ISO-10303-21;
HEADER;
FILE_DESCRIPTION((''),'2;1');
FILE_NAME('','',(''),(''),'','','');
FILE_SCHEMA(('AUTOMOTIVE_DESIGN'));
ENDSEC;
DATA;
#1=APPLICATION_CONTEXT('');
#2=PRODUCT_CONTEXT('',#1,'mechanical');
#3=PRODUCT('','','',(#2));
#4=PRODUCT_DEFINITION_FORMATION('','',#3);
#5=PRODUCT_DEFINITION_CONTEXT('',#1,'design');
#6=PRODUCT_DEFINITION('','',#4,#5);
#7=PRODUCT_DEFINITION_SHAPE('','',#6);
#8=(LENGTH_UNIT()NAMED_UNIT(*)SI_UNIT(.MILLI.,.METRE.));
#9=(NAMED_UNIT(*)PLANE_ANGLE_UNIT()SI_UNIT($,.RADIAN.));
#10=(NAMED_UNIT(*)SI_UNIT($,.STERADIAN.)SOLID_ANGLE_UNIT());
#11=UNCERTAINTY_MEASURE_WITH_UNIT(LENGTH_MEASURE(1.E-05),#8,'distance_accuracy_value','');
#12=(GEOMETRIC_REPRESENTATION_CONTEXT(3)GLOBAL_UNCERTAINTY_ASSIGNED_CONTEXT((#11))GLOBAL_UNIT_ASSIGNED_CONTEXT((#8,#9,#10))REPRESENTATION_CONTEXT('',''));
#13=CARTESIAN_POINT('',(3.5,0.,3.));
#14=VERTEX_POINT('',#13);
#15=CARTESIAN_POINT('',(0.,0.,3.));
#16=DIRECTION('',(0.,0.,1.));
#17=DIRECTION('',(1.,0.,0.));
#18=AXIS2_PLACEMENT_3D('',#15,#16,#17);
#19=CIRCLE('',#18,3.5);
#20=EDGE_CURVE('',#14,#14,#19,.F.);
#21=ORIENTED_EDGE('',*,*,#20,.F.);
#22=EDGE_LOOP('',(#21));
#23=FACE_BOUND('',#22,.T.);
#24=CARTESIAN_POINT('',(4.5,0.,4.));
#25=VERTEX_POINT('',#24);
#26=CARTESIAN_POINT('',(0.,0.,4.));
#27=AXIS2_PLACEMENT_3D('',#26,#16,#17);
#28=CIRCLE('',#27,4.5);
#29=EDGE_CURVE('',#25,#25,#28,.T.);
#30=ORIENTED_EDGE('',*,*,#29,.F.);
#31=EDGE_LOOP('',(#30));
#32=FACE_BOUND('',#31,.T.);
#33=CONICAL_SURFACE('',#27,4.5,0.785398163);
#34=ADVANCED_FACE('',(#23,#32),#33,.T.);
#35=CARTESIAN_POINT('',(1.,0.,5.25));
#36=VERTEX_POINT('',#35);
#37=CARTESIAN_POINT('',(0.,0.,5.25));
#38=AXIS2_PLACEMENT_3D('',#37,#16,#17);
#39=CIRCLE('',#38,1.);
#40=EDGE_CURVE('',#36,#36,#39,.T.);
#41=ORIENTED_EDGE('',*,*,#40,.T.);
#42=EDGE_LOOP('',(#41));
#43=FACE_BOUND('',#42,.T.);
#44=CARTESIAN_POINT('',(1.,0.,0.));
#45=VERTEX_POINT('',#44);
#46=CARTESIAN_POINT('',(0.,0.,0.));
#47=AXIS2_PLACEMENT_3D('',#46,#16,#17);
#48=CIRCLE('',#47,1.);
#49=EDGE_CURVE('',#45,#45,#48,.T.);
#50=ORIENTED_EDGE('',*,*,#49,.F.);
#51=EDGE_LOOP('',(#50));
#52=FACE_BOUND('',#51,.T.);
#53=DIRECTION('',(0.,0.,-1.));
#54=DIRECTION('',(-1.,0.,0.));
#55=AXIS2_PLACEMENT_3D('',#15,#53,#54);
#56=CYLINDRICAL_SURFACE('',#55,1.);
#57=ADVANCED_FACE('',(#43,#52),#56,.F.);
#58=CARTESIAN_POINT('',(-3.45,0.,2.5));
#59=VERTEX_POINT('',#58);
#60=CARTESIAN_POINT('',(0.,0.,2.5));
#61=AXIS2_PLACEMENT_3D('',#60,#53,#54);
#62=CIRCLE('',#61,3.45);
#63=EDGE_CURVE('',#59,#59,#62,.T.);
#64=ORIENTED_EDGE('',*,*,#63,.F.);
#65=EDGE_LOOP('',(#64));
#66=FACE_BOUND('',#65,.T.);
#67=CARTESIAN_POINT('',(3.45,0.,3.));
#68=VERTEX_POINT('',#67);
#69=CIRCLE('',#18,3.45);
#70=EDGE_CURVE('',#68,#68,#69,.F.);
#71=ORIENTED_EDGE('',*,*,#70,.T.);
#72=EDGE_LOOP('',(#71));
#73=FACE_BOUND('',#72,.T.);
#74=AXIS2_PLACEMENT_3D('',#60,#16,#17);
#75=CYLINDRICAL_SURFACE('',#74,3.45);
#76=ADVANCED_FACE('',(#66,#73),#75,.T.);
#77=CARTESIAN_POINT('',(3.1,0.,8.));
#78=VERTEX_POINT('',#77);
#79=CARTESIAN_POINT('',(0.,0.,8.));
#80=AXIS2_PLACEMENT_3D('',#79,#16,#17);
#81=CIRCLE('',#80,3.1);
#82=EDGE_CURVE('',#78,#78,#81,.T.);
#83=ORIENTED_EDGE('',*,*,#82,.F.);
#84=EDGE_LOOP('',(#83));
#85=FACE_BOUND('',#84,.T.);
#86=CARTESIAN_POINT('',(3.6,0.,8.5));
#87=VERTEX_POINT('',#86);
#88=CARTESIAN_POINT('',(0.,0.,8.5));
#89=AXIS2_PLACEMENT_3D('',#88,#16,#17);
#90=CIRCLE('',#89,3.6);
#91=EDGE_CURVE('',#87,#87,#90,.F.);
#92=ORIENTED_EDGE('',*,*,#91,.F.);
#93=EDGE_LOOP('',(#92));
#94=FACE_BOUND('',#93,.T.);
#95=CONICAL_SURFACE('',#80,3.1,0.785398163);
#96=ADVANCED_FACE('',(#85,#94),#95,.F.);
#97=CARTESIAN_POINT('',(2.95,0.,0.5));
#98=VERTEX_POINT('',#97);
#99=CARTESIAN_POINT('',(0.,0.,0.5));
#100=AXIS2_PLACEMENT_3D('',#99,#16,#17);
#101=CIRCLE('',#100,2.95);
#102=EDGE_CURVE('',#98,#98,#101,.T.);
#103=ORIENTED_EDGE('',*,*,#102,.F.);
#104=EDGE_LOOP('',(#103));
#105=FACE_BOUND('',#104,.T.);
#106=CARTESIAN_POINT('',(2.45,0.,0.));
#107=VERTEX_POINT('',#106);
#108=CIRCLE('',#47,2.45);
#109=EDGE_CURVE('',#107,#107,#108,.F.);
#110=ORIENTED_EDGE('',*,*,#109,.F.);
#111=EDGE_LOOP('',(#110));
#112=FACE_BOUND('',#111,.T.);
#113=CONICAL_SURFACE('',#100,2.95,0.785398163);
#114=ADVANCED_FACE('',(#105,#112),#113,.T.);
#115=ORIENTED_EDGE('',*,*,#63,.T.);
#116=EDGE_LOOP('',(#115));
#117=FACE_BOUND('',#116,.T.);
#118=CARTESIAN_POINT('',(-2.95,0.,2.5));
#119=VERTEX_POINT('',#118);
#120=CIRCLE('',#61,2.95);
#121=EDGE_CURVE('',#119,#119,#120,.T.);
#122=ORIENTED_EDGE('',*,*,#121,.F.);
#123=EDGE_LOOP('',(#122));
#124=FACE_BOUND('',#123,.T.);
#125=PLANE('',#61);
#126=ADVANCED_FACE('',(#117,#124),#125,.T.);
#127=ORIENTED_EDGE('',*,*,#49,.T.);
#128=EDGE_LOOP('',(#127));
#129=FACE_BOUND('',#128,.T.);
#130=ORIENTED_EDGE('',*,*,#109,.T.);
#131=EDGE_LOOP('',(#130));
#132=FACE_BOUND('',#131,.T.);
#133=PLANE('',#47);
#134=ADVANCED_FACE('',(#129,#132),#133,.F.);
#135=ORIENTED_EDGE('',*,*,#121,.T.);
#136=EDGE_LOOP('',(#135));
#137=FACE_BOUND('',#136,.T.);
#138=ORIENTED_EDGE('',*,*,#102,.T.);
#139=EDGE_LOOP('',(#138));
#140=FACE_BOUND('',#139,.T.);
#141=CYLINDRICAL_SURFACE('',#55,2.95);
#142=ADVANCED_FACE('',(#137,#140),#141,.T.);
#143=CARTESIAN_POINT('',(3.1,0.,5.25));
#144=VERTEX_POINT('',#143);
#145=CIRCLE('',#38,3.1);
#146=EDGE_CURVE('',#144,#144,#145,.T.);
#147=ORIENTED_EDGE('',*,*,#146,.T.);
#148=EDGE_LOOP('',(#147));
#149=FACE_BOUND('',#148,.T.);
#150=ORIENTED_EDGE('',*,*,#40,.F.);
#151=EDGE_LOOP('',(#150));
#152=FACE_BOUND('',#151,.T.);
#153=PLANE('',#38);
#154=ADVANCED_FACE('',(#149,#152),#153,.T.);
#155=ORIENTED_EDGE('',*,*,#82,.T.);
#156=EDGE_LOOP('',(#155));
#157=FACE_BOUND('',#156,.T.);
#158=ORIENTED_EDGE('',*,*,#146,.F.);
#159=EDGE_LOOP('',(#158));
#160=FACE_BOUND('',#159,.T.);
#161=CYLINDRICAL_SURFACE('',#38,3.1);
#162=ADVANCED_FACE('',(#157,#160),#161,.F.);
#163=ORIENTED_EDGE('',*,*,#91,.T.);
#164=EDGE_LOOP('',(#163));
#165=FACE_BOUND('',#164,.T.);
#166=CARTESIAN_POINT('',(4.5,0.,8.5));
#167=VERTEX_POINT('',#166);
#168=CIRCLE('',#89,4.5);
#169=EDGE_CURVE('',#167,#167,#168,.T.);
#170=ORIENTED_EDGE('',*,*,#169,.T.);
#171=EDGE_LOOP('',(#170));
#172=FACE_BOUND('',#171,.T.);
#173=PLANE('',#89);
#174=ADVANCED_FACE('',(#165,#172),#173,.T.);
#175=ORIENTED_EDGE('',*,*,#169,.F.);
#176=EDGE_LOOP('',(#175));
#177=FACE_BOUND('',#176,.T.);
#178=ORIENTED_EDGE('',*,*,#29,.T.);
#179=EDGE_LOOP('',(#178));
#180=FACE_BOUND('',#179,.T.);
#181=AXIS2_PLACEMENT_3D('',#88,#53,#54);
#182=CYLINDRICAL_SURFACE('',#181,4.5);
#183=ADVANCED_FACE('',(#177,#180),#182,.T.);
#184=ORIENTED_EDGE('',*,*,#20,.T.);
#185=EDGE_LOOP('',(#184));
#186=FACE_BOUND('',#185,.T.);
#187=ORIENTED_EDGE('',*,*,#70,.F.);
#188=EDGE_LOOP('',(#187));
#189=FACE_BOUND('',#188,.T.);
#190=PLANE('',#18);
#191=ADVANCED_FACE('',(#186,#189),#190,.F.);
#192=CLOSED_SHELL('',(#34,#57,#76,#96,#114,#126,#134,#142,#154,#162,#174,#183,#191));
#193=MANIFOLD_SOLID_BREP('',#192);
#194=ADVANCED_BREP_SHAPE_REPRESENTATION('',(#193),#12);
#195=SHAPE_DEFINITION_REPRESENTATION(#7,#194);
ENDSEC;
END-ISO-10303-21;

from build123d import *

# Parameters (mm, degrees)
SKETCH1_R           = 2.95
SKETCH1_R_2         = 1
BOSS_EXTRUDE1_DEPTH = 3
SKETCH2_R           = 4.5
SKETCH2_R_2         = 1
BOSS_EXTRUDE2_DEPTH = 5.5
SKETCH3_R           = 3.1
CUT_EXTRUDE1_DEPTH  = 3.25
CHAMFER1_SIZE       = 0.5
CHAMFER2_SIZE       = 0.5
SKETCH4_R           = 3.45
SKETCH4_R_2         = 1
BOSS_EXTRUDE3_DEPTH = 0.5
CHAMFER3_SIZE       = 1


with BuildPart() as part:
    # Sketch1 → Boss-Extrude1 (new body)
    with BuildSketch(Plane.XY):
        Circle(SKETCH1_R)
        Circle(SKETCH1_R_2, mode=Mode.SUBTRACT)
    extrude(amount=BOSS_EXTRUDE1_DEPTH)

    # Sketch2 → Boss-Extrude2 (add)
    with BuildSketch(Plane.XY.offset(3)):
        Circle(SKETCH2_R)
        Circle(SKETCH2_R_2, mode=Mode.SUBTRACT)
    extrude(amount=BOSS_EXTRUDE2_DEPTH)

    # Sketch3 → Cut-Extrude1 (cut)
    with BuildSketch(Plane.XY.offset(8.5)):
        Circle(SKETCH3_R)
    extrude(amount=-CUT_EXTRUDE1_DEPTH, mode=Mode.SUBTRACT)

    # Chamfer1
    chamfer1_edges = [part.edges().sort_by_distance(p)[0] for p in [
        (-3.1, 0, 8.5),
    ]]
    chamfer(chamfer1_edges, length=CHAMFER1_SIZE)

    # Chamfer2
    chamfer2_edges = [part.edges().sort_by_distance(p)[0] for p in [
        (-2.95, 0, 0),
    ]]
    chamfer(chamfer2_edges, length=CHAMFER2_SIZE)

    # Sketch4 → Boss-Extrude3 (add)
    with BuildSketch(Plane(origin=(0, 0, 3), x_dir=(-1, 0, 0), z_dir=(0, 0, -1))):
        Circle(SKETCH4_R)
        Circle(SKETCH4_R_2, mode=Mode.SUBTRACT)
    extrude(amount=BOSS_EXTRUDE3_DEPTH)

    # Chamfer3
    chamfer3_edges = [part.edges().sort_by_distance(p)[0] for p in [
        (-4.5, 0, 3),
    ]]
    chamfer(chamfer3_edges, length=CHAMFER3_SIZE)


solid = part.part
